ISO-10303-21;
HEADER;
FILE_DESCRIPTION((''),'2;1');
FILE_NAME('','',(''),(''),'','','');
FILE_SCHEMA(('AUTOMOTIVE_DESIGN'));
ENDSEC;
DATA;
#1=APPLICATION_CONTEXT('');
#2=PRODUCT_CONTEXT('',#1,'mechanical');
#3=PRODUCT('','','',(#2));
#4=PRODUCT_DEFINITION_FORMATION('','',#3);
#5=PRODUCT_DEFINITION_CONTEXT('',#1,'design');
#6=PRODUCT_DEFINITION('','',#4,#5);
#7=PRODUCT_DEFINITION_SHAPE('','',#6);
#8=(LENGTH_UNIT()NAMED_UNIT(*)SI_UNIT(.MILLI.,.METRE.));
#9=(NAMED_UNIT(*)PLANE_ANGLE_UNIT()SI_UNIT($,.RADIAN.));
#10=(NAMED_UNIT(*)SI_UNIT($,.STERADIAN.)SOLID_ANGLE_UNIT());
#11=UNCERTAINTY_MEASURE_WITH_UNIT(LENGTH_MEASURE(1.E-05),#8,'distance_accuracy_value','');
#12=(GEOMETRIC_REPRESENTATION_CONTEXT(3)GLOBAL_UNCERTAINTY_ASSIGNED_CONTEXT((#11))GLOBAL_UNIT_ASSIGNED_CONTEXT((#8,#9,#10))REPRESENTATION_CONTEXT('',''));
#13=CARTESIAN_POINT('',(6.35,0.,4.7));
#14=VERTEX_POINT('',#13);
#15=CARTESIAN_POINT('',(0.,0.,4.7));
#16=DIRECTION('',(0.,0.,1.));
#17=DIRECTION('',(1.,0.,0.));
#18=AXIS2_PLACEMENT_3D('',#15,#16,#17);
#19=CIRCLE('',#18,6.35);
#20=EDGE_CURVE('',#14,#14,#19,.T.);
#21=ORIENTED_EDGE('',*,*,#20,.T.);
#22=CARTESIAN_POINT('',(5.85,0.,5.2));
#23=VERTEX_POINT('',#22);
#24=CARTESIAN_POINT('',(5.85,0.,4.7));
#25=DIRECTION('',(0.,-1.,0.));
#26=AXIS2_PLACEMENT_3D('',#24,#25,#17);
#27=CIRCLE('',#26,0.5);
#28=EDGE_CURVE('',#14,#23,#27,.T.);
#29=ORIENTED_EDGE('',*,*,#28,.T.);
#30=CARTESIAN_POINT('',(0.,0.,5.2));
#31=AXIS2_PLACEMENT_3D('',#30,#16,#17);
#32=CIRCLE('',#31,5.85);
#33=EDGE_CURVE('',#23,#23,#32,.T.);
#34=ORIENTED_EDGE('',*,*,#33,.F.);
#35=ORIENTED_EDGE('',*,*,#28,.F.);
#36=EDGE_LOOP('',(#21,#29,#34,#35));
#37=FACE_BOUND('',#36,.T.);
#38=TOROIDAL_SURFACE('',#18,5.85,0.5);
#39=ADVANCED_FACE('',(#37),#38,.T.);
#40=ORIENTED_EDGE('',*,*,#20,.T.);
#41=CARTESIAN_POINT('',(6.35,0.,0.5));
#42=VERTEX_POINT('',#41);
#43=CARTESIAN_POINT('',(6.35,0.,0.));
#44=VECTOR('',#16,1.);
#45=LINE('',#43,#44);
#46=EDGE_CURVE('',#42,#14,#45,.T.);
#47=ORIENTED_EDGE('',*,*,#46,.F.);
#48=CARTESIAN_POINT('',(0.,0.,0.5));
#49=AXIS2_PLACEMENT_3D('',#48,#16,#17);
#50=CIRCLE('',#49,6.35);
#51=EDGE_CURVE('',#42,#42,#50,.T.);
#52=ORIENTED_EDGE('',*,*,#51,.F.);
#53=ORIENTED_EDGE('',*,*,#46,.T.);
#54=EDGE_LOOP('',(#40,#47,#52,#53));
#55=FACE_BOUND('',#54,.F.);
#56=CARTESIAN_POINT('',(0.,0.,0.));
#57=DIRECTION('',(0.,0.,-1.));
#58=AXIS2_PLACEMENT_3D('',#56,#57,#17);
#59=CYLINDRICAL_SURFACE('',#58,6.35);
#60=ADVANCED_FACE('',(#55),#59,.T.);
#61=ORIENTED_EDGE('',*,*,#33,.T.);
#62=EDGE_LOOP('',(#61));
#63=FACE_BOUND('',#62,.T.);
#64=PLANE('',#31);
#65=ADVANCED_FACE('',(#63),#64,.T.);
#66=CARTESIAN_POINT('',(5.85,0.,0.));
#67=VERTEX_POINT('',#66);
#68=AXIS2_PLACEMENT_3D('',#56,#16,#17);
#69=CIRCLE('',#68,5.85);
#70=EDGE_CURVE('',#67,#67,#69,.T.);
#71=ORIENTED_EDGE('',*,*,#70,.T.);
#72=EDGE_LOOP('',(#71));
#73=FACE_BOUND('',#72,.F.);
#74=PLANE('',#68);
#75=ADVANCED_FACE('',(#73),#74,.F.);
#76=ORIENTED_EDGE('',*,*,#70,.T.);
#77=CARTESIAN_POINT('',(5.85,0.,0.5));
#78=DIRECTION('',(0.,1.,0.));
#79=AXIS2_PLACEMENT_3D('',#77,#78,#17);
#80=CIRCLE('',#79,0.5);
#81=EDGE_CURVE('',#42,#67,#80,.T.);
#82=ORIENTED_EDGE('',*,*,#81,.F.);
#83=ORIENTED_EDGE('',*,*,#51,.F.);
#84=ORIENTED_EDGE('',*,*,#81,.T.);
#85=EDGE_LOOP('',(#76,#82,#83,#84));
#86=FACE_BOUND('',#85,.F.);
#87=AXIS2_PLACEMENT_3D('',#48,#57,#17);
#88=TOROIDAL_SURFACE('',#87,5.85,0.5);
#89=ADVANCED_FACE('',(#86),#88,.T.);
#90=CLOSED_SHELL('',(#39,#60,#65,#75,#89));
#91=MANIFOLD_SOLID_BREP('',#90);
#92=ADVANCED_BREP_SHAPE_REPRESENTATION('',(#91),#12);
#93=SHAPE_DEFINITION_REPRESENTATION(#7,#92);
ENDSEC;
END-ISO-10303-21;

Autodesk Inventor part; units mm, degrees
ref_plane "YZ Plane" through (0, 0, 0) normal (1, 0, 0) x (0, 1, 0)
ref_plane "XZ Plane" through (0, 0, 0) normal (0, 1, 0) x (-1, 0, 0)
ref_plane "XY Plane" through (0, 0, 0) normal (0, 0, 1) x (1, 0, 0)
sketch "Sketch1" plane through (0, 0, 0) normal (0, 0, 1) x (1, 0, 0)
  circle A0 centre (0, 0) radius 6.35
  dimension "d0" = 12.7
extrude "Extrusion1" add sketch "Sketch1" along normal blind 5.2
fillet "Fillet1" radius 0.5 2 edges at (-6.35, 0, 5.2) (-6.35, 0, 0)
properties part number "Magnet"
